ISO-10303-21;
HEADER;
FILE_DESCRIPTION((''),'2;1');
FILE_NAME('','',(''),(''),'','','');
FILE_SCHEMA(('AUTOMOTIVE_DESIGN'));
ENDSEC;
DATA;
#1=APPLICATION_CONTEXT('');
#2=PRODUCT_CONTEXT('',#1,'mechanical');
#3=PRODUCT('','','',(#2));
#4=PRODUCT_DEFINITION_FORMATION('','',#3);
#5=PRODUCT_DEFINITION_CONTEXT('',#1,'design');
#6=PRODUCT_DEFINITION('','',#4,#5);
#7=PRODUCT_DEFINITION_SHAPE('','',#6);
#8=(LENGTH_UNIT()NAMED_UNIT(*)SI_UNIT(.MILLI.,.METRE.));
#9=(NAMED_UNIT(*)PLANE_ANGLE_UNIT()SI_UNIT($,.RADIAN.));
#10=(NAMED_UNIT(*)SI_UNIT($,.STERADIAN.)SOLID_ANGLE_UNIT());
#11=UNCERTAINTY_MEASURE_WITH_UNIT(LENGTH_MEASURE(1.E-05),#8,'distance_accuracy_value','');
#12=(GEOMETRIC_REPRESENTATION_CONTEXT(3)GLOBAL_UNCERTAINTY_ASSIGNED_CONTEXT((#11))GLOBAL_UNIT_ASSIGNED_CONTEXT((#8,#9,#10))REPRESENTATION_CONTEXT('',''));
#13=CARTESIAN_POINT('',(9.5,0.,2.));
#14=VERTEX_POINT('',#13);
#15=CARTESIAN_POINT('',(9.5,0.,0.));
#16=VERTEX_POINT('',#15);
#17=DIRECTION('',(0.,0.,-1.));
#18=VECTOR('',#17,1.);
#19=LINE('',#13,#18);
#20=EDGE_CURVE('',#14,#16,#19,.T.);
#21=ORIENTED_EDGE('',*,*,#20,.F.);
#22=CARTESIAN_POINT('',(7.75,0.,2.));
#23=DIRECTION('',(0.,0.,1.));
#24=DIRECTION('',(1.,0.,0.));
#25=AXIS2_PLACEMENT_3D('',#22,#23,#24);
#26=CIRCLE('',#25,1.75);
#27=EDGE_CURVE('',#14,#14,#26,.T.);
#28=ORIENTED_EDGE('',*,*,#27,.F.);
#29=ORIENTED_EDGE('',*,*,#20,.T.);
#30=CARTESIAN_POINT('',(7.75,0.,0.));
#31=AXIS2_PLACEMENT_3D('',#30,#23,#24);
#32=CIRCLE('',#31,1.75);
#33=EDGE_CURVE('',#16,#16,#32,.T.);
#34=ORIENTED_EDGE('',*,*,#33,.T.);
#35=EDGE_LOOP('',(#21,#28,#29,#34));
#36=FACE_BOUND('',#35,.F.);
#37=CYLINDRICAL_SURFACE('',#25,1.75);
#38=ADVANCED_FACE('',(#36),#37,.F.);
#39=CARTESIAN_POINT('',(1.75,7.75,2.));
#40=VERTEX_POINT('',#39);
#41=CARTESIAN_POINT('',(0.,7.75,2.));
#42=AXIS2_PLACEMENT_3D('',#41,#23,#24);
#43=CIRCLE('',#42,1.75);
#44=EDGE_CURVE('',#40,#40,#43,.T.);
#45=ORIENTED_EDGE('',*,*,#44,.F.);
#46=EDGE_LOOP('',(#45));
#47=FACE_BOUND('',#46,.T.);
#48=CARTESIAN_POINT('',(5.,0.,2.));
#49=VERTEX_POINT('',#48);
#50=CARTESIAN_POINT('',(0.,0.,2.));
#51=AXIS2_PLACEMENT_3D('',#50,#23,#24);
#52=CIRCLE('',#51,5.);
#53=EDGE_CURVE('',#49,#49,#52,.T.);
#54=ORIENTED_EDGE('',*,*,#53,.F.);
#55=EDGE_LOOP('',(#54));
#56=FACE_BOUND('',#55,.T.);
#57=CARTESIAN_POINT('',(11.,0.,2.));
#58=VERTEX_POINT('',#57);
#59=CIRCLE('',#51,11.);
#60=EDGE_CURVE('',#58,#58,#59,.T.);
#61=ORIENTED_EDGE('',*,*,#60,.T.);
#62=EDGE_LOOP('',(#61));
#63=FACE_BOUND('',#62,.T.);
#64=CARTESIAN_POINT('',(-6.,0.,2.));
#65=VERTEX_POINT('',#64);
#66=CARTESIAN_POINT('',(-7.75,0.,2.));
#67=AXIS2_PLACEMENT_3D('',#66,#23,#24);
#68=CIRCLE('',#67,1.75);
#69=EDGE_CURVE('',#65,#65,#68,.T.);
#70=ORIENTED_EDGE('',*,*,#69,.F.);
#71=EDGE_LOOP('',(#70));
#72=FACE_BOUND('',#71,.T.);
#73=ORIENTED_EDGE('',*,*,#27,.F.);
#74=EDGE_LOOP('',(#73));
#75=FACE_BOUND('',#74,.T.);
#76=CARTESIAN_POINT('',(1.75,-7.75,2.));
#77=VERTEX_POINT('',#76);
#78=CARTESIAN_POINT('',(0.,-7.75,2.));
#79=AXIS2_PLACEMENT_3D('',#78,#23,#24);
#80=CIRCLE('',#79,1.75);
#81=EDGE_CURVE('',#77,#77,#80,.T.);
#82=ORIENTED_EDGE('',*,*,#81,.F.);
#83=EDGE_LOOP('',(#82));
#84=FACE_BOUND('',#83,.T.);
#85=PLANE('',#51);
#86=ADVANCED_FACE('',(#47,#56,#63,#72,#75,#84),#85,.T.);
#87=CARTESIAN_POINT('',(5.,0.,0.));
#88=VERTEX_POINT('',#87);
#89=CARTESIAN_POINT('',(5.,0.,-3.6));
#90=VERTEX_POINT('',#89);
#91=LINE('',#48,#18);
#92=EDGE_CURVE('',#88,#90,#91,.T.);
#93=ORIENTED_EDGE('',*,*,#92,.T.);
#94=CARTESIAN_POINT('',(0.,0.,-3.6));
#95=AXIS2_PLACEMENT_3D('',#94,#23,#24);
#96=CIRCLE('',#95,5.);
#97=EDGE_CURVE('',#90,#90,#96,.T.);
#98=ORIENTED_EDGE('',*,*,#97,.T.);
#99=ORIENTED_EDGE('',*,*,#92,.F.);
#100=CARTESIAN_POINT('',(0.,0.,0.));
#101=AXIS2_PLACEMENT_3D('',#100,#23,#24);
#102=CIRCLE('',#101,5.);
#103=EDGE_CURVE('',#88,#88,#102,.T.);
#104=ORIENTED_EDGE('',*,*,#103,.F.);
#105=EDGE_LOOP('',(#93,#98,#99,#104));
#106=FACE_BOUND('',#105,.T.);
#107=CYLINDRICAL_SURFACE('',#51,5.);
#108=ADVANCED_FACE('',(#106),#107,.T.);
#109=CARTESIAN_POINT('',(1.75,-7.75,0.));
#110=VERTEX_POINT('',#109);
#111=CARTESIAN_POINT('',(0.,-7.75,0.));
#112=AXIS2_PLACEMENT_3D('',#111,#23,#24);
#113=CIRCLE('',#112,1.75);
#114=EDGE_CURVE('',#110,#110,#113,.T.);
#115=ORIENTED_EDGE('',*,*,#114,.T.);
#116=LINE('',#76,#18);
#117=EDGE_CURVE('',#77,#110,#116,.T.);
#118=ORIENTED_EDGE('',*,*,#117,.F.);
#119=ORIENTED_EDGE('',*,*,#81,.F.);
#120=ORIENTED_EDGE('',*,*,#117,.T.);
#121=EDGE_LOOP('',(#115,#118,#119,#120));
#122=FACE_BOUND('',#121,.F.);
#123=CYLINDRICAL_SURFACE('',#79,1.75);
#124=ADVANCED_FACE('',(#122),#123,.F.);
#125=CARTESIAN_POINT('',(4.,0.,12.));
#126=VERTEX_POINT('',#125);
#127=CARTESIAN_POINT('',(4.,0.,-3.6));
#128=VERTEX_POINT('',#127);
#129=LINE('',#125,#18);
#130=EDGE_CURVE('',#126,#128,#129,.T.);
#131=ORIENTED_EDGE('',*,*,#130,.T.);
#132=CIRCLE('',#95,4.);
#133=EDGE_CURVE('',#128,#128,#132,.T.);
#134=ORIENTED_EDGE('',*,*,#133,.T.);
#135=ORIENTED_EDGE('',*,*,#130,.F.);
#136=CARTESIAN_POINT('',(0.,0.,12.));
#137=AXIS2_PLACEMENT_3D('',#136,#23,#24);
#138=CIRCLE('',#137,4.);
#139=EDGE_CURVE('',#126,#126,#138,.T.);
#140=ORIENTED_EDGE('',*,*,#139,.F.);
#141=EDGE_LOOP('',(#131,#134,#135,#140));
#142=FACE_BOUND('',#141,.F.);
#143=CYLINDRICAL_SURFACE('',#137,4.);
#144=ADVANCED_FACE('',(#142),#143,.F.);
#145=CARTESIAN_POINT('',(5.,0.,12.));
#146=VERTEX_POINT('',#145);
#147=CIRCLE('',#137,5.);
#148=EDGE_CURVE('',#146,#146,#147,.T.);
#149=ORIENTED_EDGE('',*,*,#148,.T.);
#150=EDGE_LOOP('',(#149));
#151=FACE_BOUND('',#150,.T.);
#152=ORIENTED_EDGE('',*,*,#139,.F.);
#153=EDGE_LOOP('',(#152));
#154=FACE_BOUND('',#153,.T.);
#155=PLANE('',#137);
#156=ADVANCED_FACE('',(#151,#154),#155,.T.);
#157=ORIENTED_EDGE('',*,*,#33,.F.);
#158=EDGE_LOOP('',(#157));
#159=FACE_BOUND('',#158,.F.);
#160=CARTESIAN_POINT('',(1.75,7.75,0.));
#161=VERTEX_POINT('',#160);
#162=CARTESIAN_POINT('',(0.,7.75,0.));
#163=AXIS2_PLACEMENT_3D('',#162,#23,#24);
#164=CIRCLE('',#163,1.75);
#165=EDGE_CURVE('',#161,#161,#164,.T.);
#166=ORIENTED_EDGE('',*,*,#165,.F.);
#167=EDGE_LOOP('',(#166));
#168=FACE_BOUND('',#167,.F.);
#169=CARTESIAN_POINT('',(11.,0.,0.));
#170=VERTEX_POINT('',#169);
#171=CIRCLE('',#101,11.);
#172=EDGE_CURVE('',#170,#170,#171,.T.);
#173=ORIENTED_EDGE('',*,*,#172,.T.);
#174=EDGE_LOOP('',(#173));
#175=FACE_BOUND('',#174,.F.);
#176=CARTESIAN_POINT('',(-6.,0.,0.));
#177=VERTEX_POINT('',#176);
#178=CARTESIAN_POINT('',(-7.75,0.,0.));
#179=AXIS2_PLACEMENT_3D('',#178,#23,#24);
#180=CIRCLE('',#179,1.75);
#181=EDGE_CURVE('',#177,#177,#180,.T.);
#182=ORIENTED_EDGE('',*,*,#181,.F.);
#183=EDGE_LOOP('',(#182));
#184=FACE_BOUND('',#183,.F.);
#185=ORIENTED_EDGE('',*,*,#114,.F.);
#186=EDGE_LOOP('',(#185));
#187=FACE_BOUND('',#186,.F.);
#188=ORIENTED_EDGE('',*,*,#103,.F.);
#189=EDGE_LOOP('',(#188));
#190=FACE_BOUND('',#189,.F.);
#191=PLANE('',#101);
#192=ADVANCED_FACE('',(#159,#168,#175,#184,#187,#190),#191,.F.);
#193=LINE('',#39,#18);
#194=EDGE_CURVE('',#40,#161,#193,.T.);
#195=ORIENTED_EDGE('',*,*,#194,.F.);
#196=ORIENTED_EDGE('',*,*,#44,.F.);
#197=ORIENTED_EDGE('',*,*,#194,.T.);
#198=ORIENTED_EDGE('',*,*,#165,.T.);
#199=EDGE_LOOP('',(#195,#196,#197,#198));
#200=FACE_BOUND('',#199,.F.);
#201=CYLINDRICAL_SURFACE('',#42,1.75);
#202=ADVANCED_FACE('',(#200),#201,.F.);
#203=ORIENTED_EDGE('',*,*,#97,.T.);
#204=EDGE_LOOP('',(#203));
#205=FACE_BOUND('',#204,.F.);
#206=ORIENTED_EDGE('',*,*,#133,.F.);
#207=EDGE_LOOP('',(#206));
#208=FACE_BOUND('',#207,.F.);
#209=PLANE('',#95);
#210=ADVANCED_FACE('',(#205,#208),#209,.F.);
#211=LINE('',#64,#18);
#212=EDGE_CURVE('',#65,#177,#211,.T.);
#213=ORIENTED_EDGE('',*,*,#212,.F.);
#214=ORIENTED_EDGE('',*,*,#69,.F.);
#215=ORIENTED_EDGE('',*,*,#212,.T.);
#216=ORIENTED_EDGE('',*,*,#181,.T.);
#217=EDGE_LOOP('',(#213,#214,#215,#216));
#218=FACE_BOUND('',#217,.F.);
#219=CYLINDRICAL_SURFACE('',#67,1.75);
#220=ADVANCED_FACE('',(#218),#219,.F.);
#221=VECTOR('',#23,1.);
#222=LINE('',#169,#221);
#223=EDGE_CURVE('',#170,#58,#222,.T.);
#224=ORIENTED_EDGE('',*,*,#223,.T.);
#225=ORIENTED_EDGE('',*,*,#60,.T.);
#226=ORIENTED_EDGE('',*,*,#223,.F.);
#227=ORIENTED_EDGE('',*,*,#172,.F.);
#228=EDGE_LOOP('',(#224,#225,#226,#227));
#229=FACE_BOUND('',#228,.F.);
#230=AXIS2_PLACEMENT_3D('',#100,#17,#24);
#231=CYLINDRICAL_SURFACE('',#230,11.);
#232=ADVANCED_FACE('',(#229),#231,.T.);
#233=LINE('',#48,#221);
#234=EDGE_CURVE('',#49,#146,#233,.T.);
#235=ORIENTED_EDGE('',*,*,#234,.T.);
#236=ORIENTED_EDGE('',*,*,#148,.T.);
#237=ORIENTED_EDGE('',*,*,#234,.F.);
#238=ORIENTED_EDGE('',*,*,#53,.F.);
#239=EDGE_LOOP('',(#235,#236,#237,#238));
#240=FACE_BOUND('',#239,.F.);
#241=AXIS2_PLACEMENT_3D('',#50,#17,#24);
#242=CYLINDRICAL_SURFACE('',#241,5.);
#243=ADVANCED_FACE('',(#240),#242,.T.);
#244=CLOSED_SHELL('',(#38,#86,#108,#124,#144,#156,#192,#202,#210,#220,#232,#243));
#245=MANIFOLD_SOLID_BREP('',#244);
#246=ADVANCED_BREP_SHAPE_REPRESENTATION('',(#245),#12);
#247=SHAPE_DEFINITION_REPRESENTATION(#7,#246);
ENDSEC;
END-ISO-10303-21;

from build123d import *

# Parameters (mm, degrees)
SKETCH_R          = 11
PAD_DEPTH         = 2
SKETCH002_R       = 4
SKETCH002_R_2     = 1.75
POCKET_DEPTH      = 2.001
SKETCH003_R       = 5
PAD001_DEPTH      = 10
PAD001_DEPTH_BACK = 5.6
SKETCH004_R       = 4
POCKET001_DEPTH   = 15.601


with BuildPart() as part:
    # Sketch → Pad (new body)
    with BuildSketch(Plane.XY):
        Circle(SKETCH_R)
    extrude(amount=PAD_DEPTH)

    # Sketch002 (on Face3 of Pad) → Pocket (cut, through all)
    with BuildSketch(Plane.XY.offset(2)):
        Circle(SKETCH002_R)
        with Locations((0, -7.75)):
            Circle(SKETCH002_R_2)
        with Locations((-7.75, 0)):
            Circle(SKETCH002_R_2)
        with Locations((0, 7.75)):
            Circle(SKETCH002_R_2)
        with Locations((7.75, 0)):
            Circle(SKETCH002_R_2)
    extrude(amount=-POCKET_DEPTH, mode=Mode.SUBTRACT)

    # Sketch003 (on Face3 of Pocket) → Pad001 (join, two sides)
    with BuildSketch(Plane.XY.offset(2)) as pad001_sk:
        Circle(SKETCH003_R)
    extrude(amount=PAD001_DEPTH)
    extrude(pad001_sk.sketch, amount=-PAD001_DEPTH_BACK)

    # Sketch004 (on Face11 of Pad001) → Pocket001 (cut, through all)
    with BuildSketch(Plane.XY.offset(12)):
        Circle(SKETCH004_R)
    extrude(amount=-POCKET001_DEPTH, mode=Mode.SUBTRACT)


solid = part.part
